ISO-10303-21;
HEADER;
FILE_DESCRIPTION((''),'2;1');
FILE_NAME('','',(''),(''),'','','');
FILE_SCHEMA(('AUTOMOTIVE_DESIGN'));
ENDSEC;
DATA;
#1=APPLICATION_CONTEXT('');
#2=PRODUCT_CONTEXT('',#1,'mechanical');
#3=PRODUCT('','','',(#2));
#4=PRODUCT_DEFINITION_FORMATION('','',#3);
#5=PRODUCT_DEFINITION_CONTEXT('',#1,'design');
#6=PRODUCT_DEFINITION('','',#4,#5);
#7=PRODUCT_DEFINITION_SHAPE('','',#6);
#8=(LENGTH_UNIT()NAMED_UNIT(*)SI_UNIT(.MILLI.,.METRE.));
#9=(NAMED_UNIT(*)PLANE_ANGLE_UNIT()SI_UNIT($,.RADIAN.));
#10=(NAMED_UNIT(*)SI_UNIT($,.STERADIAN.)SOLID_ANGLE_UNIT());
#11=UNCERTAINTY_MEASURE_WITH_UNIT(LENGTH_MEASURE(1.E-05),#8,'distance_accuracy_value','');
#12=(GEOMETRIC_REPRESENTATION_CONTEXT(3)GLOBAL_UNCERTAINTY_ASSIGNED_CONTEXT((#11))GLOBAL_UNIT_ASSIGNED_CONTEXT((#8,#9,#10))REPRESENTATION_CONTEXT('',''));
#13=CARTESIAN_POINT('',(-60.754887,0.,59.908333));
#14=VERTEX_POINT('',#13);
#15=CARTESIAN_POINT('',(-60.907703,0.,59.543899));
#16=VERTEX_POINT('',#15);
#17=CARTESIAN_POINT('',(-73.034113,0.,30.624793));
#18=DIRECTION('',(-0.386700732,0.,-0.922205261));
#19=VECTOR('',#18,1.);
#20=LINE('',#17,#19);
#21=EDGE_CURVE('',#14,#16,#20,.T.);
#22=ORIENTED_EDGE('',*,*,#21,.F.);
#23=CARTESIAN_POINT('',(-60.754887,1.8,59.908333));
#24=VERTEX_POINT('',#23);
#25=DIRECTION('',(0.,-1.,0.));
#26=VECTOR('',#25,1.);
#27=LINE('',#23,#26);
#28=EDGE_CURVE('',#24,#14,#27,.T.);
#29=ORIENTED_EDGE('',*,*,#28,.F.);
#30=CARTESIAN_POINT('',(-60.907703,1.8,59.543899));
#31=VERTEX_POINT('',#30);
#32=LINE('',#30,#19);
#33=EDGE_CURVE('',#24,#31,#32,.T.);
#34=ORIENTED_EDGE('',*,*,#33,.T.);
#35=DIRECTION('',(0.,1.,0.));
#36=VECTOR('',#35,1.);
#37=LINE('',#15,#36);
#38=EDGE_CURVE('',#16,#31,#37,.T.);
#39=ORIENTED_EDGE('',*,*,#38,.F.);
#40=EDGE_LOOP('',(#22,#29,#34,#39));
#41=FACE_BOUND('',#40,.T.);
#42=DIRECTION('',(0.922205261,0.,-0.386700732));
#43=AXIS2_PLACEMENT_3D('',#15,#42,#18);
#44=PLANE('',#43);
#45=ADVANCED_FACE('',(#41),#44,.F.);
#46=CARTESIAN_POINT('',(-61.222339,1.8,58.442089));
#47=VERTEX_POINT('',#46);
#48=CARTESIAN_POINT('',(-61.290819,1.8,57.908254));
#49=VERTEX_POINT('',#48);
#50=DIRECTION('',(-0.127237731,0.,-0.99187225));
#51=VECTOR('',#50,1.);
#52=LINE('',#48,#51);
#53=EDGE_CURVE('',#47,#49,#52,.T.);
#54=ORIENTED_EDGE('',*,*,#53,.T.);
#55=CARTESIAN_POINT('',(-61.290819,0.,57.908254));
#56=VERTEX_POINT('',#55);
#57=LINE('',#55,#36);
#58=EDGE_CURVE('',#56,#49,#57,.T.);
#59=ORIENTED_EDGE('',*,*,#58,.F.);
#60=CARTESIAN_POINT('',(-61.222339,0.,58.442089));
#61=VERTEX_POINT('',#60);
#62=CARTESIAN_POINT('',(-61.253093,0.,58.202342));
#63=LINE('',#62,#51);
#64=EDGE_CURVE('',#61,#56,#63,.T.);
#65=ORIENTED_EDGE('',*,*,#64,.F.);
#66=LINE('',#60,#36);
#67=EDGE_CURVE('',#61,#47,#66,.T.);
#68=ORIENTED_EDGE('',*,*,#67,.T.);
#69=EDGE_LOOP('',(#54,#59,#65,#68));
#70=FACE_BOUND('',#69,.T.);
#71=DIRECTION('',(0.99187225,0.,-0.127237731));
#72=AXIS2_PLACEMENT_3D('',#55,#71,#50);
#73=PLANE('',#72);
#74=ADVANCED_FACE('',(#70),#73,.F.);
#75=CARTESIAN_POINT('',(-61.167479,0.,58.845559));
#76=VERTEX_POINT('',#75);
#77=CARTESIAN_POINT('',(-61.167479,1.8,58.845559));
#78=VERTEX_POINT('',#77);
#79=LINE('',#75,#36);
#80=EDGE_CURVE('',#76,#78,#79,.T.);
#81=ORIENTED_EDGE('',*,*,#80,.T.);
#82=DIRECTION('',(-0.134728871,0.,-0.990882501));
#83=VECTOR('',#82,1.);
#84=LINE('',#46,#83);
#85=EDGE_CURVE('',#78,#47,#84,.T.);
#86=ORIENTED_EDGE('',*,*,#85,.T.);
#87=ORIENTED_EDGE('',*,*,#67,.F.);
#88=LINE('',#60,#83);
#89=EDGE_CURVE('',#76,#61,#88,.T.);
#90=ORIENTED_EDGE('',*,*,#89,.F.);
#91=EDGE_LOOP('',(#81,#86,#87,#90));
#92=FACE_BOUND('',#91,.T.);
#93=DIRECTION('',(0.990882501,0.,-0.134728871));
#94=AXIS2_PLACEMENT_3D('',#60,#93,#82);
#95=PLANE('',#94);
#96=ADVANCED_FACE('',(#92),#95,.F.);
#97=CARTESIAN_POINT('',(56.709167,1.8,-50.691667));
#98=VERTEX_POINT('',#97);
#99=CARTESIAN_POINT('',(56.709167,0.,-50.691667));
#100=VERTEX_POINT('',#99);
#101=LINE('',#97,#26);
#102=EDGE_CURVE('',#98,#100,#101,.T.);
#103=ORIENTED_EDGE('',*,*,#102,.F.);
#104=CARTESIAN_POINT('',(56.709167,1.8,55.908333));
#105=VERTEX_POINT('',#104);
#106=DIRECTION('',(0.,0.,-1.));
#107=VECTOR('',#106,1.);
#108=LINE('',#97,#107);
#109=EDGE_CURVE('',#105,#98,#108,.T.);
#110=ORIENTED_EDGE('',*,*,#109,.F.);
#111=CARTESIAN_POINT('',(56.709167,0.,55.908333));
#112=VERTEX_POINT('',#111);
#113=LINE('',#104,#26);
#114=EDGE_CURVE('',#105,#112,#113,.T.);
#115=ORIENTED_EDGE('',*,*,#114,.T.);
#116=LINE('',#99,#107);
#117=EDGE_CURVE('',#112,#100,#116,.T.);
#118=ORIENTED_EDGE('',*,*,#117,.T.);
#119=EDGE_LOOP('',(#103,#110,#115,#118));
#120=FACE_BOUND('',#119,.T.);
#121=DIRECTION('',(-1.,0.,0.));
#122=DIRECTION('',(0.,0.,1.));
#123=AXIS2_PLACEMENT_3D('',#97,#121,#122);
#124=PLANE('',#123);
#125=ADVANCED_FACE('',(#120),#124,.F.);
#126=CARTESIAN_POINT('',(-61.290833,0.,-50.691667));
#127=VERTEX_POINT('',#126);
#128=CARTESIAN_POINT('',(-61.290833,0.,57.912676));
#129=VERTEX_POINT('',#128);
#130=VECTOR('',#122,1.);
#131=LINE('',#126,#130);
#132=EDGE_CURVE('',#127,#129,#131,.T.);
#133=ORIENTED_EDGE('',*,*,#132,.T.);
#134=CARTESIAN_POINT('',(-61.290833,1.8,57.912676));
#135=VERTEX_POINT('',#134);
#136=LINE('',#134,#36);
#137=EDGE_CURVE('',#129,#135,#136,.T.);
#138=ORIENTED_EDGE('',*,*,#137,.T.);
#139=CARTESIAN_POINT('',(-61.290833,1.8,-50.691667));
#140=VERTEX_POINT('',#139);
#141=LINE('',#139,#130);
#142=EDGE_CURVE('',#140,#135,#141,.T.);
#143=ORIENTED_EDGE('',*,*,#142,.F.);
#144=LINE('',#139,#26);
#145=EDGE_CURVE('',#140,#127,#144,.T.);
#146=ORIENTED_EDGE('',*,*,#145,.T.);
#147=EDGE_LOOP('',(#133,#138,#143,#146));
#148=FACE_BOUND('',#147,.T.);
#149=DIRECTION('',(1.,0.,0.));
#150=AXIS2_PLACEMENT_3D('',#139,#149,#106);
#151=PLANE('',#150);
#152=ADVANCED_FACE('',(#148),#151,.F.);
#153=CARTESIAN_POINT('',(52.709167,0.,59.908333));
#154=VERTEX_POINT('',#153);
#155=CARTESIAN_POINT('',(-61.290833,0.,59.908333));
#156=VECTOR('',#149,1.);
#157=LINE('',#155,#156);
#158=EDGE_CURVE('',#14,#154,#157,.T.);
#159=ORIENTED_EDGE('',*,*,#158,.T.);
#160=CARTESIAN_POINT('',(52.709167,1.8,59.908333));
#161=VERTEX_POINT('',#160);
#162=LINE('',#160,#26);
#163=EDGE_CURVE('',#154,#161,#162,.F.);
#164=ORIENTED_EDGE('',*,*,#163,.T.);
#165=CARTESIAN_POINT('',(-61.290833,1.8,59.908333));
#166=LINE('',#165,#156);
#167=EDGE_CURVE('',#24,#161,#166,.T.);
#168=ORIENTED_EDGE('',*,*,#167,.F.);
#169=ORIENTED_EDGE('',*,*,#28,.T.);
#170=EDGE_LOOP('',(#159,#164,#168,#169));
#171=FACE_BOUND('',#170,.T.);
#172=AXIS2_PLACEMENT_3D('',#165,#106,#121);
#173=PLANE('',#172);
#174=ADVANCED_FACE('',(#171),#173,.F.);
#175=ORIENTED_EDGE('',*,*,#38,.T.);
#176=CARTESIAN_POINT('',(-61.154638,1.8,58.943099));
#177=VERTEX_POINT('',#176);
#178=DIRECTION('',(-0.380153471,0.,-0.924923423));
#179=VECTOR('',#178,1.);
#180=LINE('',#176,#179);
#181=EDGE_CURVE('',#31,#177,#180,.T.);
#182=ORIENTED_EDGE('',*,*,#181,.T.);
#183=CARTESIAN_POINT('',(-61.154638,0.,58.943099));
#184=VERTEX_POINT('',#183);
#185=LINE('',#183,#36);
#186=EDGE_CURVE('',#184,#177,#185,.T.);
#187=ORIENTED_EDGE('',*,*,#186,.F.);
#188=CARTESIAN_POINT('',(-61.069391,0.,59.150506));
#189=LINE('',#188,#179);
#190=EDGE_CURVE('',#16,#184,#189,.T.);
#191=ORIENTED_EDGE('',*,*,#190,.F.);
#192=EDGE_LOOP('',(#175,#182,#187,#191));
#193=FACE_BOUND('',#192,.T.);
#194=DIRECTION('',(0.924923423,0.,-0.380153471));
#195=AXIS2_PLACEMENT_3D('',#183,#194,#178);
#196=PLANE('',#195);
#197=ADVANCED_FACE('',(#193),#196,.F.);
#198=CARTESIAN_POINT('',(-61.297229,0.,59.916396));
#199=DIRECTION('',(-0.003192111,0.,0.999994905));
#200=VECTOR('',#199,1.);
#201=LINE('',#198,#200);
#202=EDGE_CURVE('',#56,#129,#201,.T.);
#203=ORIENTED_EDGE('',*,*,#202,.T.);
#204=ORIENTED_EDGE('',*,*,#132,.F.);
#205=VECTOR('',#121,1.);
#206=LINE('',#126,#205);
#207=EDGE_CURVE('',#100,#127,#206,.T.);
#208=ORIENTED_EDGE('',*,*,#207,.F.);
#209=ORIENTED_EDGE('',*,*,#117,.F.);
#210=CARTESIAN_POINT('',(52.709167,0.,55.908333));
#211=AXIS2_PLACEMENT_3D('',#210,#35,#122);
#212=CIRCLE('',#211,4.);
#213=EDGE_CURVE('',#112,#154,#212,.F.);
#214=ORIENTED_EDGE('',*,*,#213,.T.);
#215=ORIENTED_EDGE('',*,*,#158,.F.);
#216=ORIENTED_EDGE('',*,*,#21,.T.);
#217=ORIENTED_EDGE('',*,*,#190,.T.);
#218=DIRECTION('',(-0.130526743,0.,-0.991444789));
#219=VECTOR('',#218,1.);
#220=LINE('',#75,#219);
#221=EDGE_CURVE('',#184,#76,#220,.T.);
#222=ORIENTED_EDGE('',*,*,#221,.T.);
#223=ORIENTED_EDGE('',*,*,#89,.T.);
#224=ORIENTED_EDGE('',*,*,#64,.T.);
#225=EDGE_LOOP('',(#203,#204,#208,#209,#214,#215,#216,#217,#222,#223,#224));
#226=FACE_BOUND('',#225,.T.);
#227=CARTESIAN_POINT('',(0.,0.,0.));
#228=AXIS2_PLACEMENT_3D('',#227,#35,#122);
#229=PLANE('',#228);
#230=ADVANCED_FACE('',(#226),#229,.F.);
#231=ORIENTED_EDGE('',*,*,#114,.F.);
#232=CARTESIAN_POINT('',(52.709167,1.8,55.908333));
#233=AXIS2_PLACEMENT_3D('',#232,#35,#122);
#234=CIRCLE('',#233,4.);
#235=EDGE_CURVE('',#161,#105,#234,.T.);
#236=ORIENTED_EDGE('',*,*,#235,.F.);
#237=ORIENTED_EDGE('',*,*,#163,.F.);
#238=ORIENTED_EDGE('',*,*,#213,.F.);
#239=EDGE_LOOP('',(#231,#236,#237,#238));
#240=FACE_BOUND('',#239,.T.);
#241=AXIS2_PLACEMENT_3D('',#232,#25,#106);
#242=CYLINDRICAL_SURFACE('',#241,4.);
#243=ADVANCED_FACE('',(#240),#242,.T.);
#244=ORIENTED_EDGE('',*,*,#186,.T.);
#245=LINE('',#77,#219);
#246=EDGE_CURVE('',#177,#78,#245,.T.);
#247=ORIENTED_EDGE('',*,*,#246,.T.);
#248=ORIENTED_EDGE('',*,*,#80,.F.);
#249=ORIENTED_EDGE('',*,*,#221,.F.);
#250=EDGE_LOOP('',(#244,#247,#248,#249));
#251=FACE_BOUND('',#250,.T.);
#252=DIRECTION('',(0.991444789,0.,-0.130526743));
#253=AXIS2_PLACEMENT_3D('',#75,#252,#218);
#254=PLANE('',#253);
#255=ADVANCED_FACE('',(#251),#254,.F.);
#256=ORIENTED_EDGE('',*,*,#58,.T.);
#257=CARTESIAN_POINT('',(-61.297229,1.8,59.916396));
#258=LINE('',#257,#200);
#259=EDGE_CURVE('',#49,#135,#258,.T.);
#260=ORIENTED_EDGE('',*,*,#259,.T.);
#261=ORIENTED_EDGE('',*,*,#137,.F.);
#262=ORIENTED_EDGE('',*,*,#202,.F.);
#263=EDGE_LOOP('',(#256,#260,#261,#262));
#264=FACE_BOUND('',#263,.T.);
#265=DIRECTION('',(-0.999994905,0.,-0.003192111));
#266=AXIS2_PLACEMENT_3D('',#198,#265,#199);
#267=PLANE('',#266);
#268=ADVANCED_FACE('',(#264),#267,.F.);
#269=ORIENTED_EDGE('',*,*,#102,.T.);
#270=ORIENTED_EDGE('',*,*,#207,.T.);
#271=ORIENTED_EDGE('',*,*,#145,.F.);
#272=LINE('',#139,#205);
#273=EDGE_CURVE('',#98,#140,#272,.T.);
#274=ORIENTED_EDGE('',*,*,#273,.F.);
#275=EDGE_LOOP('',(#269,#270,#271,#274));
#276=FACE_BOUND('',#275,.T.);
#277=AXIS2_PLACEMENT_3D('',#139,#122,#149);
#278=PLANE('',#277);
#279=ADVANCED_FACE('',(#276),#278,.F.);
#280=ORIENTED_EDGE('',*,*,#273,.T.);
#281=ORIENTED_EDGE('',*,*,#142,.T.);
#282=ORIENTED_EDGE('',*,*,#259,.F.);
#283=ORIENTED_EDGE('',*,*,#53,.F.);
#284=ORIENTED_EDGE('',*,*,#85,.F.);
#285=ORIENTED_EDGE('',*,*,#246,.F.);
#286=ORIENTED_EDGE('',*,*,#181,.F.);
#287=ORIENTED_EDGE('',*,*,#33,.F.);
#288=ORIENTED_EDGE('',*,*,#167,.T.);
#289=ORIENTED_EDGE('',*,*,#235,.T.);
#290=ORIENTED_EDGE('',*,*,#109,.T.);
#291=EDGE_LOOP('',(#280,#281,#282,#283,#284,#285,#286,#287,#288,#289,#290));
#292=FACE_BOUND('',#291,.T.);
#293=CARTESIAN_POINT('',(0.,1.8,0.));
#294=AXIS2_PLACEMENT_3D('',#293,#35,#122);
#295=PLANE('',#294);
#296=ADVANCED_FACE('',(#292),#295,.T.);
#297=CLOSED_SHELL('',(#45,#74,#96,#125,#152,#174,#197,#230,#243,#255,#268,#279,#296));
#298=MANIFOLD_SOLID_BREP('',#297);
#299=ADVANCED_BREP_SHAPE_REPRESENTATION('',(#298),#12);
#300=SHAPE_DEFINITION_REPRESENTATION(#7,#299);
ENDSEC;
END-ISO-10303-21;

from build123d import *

# Parameters (mm, degrees)
SKETCH_1_W          = 118
SKETCH_1_H          = 110.6
EXTRUDE_1_DEPTH     = 1.8
CUT_EXTRUDE_1_DEPTH = 86.725227637
FILLET_1_R          = 4


with BuildPart() as part:
    # Эскиз1 → Бобышка-Вытянуть1 (new body)
    with BuildSketch(Plane(origin=(0, 0, 0), x_dir=(1, 0, 0), z_dir=(0, 1, 0))):
        with Locations((-2.290833333, -4.608333333)):
            Rectangle(SKETCH_1_W, SKETCH_1_H)
    extrude(amount=EXTRUDE_1_DEPTH)

    # Эскиз2 → Вырез-Вытянуть1 (cut, through all)
    with BuildSketch(Plane(origin=(0, 1.8, 0), x_dir=(1, 0, 0), z_dir=(0, 1, 0))):
        Polygon((-60.751506463, -59.916396196), (-61.297229463, -59.916396196), (-61.290819216, -57.908253599), (-61.253093448, -58.202342018), (-61.222338592, -58.4420892), (-61.167479406, -58.845558834), (-61.154637964, -58.943098844), (-61.150921997, -58.952139891), (-61.128591446, -59.006470711), (-61.069391255, -59.150506338), (-60.907702538, -59.543899251), align=None)
    extrude(amount=-CUT_EXTRUDE_1_DEPTH, mode=Mode.SUBTRACT)

    # Скругление1
    fillet_1_edges = [part.edges().sort_by_distance(p)[0] for p in [
        (56.709166667, 0.9, 59.908333333),
    ]]
    fillet(fillet_1_edges, radius=FILLET_1_R)


solid = part.part
